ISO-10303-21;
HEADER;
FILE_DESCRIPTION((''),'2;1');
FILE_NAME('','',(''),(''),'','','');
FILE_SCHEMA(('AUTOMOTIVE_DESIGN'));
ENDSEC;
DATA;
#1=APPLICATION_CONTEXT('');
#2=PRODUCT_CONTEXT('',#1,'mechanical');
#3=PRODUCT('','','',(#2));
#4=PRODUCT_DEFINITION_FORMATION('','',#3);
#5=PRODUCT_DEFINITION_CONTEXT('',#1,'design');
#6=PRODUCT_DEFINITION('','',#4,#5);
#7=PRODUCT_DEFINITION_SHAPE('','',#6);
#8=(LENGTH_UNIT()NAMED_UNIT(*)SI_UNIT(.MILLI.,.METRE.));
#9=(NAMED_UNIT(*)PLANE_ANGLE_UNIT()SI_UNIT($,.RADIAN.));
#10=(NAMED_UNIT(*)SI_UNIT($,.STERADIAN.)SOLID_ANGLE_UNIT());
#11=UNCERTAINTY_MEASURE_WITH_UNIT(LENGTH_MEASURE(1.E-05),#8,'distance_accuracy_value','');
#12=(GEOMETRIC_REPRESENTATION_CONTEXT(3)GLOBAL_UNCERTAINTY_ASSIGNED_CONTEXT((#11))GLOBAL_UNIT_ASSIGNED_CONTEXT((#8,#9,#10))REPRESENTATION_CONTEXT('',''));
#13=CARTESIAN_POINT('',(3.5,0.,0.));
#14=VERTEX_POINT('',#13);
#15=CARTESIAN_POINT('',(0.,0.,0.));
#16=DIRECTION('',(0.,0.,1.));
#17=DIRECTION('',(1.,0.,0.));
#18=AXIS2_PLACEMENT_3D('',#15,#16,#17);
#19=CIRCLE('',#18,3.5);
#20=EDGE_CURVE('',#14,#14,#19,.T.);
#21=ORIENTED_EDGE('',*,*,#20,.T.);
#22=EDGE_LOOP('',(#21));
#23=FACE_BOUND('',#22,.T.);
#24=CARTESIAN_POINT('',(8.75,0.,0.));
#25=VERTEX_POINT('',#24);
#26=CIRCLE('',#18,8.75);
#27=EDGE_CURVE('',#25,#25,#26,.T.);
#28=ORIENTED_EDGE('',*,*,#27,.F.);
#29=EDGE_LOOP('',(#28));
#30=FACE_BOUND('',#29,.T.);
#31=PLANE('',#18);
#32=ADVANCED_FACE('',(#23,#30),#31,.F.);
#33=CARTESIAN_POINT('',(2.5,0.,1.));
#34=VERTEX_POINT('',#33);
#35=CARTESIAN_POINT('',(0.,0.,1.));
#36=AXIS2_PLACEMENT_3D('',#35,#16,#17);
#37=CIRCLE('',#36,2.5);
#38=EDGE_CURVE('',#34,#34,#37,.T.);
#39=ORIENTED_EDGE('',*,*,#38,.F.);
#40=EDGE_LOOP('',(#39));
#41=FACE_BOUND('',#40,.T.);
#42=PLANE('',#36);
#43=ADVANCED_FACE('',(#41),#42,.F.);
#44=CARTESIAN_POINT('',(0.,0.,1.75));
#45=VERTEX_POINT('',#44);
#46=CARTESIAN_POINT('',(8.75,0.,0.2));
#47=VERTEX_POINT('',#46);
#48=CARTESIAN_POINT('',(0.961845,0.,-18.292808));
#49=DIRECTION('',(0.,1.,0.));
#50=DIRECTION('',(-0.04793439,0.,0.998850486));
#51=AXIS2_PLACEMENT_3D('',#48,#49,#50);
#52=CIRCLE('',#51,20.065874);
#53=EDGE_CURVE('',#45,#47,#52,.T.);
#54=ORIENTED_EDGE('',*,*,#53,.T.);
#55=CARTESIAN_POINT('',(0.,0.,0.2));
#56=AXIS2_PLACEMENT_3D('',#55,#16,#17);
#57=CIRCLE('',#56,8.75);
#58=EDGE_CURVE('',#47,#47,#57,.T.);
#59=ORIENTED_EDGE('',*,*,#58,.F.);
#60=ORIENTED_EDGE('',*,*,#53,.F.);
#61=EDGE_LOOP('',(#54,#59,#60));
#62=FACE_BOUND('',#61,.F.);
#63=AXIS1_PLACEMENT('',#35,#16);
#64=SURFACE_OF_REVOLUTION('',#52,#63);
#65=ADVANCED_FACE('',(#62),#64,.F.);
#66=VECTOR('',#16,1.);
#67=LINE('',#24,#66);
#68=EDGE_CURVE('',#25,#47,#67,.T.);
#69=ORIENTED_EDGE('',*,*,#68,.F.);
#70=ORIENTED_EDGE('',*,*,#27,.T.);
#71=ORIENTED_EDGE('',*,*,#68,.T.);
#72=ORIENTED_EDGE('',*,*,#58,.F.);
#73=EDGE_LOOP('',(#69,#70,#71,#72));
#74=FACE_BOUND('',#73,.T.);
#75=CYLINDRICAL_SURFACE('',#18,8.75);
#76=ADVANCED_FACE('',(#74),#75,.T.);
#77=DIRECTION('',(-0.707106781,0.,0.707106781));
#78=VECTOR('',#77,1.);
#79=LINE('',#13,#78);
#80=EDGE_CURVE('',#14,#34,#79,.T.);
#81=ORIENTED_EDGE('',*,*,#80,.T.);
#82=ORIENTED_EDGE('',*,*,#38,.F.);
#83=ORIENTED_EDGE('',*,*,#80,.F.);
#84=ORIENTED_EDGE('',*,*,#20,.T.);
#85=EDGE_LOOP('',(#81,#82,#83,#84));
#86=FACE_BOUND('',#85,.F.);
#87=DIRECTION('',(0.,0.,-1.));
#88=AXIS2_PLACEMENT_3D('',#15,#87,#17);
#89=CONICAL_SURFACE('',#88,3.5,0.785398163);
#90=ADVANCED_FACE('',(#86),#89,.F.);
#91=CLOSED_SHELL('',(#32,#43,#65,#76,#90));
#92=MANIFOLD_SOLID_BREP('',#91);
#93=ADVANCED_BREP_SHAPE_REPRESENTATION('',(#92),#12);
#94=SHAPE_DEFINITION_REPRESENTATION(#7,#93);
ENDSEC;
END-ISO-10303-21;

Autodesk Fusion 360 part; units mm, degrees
sketch "2015 Profile" plane through (0, 0, 0) normal (0, 1, 0) x (1, 0, 0) in component "Macbook Pro Pad"
  line L0 (0, -1) -> (0, -1.75)
  line L1 (0, -1) -> (2.5, -1)
  line L2 (3.5, 0) -> (8.75, 0)
  line L3 (0, 0) -> (3.5, 0) construction
  line L4 (0, 0) -> (0, -1) construction
  line L5 (8.75, 0) -> (8.75, -0.2)
  arc A0 (0, -1.75) -> (8.75, -0.2) centre (0.9618, 18.2928) ccw
  line L6 (3.5, 0) -> (2.5, -1)
  dimension "d1" = 1.75
  dimension "d2" = 8.75
  dimension "d3" = 3.5
  dimension "d6" = 0.2
  dimension "d7" = 2.5
  dimension "d8" = 1
revolve "Revolve2" add sketch "2015 Profile" angle 360 about axis through (0, 0, 1) along (0, 0, 1) in component "Macbook Pro Pad"
component "Macbook Pro Pad" placed x (1, 0, 0) y (0, 1, 0) z (0, 0, 1) at (0, 0, 0)
equation "d2 = ( 17.5 / 2 ) * 1 mm"
equation "d3 = ( 7 / 2 ) * 1 mm"
